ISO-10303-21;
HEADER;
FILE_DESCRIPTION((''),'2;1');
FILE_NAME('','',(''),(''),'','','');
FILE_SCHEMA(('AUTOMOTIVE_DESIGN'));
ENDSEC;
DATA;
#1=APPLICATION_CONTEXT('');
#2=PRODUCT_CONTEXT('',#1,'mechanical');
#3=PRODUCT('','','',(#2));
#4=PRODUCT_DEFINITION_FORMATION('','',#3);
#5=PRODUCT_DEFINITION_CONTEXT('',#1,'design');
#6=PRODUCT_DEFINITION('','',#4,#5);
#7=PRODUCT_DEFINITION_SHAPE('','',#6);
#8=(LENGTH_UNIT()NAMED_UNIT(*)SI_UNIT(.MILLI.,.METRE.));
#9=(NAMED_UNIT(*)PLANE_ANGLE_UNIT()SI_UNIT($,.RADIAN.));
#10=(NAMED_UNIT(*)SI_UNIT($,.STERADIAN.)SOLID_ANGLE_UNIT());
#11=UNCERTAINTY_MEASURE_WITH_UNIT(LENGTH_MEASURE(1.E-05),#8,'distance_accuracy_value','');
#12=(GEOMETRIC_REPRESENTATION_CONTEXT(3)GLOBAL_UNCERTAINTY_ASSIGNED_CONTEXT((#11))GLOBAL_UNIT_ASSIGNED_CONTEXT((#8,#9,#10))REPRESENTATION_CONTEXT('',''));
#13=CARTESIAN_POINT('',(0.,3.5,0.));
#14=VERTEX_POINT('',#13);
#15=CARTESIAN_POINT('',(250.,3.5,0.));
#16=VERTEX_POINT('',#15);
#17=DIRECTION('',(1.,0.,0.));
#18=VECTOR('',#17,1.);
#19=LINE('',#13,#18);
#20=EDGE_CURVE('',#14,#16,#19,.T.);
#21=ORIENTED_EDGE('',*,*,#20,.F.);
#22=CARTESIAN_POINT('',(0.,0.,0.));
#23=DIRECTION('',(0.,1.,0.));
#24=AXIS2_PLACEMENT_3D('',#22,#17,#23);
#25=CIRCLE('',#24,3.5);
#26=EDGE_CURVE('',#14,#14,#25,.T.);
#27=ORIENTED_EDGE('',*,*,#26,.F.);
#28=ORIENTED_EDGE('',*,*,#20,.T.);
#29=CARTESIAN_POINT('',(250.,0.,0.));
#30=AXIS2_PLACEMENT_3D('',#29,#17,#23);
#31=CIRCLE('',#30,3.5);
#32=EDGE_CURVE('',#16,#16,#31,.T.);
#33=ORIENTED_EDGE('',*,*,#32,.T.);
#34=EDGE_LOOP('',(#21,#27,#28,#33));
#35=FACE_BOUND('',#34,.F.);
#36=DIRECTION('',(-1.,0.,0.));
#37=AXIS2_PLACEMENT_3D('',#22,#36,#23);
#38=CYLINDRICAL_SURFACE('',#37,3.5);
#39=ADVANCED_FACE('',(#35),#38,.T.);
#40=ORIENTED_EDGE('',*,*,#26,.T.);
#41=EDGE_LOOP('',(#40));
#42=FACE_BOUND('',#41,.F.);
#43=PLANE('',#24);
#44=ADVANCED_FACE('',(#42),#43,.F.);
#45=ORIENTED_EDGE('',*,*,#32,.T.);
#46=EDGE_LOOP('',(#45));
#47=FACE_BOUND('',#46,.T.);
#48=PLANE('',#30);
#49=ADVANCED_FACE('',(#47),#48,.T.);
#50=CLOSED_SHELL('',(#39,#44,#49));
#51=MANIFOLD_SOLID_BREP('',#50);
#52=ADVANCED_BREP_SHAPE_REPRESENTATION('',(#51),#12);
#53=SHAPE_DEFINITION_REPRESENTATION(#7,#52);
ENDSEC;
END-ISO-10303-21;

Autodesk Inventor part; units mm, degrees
ref_plane "YZ Plane" through (0, 0, 0) normal (1, 0, 0) x (0, 1, 0)
ref_plane "XZ Plane" through (0, 0, 0) normal (0, 1, 0) x (-1, 0, 0)
ref_plane "XY Plane" through (0, 0, 0) normal (0, 0, 1) x (1, 0, 0)
sketch "Sketch1" plane through (0, 0, 0) normal (1, 0, 0) x (0, 1, 0)
  circle A0 centre (0, 0) radius 3.5
  dimension "d0" = 7
extrude "Extrusion1" add sketch "Sketch1" along normal blind 250
properties part number "baut_ballast"
